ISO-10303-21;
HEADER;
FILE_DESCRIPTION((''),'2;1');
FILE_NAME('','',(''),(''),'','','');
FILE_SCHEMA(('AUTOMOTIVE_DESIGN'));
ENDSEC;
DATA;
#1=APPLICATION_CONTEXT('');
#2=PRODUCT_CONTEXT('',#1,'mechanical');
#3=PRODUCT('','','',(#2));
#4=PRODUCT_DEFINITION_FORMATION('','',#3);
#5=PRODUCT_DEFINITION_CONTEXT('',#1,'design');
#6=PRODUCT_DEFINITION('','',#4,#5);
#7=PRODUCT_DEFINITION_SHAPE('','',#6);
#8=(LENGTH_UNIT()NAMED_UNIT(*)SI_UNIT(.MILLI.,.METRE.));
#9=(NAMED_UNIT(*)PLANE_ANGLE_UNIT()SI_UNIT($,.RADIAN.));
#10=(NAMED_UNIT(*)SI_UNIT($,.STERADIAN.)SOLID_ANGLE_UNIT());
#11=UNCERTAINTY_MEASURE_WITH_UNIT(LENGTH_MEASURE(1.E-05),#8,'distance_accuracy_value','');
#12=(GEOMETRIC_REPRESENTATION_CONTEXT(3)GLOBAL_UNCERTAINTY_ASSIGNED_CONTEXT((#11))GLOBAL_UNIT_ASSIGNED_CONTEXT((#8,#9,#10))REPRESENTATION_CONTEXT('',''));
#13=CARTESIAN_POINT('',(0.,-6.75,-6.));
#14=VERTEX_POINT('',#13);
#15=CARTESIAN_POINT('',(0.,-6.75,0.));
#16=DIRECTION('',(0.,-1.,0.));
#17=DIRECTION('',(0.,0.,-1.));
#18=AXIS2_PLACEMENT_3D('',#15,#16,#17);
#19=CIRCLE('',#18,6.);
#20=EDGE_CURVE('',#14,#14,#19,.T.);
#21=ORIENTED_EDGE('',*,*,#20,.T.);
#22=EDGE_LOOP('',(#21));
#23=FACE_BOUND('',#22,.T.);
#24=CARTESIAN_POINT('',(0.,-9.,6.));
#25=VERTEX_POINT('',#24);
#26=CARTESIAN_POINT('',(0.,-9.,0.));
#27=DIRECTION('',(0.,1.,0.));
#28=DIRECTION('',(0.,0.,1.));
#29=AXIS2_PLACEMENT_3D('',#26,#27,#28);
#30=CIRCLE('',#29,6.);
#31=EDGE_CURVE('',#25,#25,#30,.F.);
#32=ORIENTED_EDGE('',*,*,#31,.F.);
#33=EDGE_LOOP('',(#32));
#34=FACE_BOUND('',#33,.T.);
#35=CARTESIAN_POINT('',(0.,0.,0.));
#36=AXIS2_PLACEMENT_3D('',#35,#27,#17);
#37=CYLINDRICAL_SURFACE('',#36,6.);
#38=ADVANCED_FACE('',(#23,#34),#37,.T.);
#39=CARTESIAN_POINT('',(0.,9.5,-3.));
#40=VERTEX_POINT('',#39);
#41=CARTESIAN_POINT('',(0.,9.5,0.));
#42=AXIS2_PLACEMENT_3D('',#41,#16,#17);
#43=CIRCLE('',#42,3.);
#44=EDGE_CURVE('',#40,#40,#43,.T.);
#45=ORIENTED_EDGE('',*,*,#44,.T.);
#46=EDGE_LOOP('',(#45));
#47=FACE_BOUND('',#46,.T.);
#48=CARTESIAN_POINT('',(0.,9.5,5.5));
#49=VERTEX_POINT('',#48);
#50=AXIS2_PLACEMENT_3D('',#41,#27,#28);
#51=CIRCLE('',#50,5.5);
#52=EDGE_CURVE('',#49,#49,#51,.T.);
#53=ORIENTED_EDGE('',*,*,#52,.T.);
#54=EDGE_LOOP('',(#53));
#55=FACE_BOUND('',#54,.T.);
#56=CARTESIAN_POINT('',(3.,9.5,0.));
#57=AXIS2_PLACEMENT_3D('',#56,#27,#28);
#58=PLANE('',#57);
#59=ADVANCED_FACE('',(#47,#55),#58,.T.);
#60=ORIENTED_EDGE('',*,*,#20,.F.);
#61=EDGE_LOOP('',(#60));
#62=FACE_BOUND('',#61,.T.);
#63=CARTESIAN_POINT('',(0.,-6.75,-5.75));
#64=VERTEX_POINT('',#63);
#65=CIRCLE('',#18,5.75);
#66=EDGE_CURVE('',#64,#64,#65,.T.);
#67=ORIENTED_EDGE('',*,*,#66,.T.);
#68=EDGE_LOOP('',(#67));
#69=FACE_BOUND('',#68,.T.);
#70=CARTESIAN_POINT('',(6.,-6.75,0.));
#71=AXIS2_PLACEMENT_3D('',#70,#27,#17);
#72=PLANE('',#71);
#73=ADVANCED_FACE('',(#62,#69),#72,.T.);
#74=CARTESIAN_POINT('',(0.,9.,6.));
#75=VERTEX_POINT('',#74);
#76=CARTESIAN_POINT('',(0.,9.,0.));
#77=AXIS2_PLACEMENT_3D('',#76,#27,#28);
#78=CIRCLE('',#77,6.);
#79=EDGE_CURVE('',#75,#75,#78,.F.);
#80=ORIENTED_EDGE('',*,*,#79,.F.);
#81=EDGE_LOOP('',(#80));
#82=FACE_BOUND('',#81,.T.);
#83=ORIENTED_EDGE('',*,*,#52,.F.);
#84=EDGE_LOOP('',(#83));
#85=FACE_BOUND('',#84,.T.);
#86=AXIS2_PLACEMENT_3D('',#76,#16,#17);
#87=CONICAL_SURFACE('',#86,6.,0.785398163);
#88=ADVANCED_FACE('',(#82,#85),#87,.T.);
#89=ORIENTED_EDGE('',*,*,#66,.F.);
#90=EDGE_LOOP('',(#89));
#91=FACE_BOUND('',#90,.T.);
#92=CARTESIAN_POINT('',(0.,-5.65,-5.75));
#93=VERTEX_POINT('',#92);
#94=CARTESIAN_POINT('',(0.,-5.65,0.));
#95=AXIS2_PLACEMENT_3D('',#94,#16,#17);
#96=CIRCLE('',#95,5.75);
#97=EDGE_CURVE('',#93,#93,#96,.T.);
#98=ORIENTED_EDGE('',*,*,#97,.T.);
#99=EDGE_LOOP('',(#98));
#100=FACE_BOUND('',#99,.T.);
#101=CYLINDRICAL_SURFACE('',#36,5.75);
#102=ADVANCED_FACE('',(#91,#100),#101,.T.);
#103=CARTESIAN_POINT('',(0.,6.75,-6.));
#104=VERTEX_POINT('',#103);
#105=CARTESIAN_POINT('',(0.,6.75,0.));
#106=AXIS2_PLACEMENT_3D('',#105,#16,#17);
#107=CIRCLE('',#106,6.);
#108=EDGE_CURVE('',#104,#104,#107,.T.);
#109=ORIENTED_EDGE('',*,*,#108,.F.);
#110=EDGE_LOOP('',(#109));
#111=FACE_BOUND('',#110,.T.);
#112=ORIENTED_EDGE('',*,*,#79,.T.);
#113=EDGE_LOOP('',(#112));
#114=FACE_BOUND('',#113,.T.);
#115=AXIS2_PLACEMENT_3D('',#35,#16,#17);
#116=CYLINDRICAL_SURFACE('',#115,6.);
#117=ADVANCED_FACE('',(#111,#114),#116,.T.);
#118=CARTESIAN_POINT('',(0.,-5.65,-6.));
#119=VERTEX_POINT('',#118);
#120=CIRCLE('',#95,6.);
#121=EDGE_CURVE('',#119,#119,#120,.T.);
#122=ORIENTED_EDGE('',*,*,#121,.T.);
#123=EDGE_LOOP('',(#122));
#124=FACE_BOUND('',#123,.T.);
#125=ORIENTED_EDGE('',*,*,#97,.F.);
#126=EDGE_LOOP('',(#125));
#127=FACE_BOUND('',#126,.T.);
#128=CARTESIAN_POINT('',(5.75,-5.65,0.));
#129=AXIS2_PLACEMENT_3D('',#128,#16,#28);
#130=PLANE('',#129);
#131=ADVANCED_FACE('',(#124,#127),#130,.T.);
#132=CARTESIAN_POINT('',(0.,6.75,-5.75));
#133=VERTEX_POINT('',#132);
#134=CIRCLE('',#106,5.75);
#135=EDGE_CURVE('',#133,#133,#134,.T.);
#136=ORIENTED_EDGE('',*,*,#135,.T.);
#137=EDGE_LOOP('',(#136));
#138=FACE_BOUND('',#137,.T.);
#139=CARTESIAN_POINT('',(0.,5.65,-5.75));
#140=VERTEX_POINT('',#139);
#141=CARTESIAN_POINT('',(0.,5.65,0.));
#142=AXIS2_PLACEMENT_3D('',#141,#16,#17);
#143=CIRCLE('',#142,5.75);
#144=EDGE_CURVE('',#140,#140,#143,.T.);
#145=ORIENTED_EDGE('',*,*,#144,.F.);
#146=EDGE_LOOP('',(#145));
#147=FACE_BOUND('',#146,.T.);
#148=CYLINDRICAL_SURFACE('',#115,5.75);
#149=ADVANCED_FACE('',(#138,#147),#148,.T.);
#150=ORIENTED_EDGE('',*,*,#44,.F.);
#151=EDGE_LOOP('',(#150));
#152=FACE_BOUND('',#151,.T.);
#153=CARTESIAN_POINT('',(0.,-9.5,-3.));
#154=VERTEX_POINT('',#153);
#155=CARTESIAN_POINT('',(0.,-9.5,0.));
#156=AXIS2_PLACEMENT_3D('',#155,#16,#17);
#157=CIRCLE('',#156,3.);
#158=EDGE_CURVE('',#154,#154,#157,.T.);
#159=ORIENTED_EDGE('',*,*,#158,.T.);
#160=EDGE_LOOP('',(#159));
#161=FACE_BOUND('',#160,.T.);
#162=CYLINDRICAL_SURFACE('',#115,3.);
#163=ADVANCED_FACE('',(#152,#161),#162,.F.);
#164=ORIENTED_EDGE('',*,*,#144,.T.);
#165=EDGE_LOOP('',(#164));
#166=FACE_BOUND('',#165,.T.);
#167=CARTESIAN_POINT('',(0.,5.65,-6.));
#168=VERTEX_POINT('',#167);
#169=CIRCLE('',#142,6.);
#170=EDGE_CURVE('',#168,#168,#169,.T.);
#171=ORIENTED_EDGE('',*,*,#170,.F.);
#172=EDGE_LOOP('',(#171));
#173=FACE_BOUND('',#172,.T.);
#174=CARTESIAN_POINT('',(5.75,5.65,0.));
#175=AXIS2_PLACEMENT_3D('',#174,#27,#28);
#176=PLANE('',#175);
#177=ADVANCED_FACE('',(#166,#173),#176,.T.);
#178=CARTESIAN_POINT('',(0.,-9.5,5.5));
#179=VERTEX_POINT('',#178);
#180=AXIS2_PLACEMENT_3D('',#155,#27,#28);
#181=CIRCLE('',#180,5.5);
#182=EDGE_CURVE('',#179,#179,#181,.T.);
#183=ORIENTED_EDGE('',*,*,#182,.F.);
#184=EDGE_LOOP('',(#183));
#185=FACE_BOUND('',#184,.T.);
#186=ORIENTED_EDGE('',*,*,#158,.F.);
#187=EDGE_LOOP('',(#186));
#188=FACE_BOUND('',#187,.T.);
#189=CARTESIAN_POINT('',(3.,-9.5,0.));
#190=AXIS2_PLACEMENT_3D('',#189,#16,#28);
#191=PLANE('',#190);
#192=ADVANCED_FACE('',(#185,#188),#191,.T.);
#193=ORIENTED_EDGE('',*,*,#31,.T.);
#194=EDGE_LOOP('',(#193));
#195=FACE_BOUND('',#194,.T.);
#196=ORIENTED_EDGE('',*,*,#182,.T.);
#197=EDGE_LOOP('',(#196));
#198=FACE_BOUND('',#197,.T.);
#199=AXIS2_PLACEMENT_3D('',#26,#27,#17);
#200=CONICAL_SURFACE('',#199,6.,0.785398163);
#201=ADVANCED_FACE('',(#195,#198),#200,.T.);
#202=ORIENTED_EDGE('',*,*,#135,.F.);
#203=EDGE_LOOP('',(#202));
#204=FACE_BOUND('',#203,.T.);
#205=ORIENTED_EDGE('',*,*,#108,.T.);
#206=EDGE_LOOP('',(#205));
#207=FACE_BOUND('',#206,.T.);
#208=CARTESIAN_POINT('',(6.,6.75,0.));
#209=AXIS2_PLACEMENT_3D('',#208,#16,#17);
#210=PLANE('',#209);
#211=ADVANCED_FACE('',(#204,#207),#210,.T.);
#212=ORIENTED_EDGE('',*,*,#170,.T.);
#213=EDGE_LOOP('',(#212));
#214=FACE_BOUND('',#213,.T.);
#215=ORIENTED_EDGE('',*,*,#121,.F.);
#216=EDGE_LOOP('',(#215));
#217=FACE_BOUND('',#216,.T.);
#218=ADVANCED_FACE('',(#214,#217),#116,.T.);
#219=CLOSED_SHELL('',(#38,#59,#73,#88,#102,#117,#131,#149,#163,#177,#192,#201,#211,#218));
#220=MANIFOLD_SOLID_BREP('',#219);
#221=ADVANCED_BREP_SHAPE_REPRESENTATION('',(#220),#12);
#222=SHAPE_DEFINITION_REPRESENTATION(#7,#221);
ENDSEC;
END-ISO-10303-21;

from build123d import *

# Parameters (mm, degrees)
CHAMFER1_SIZE = 0.5


with BuildPart() as part:
    # Sketch1 → Revolve1 (revolve)
    with BuildSketch(Plane.XY):
        Polygon((3, 0), (3, 9.5), (6, 9.5), (6, 6.75), (5.75, 6.75), (5.75, 5.65), (6, 5.65), (6, 0), align=None)
    revolve(axis=Axis((0, 0, 0), (0, 1, 0)))

    # Chamfer1
    chamfer1_edges = [part.edges().sort_by_distance(p)[0] for p in [
        (-6, 9.5, 0),
    ]]
    chamfer(chamfer1_edges, length=CHAMFER1_SIZE)

    # Mirror1: part across plane


with BuildPart() as part_1:
    add(part.part)
    add(part.part.mirror(Plane(origin=(6, 0, 0), x_dir=(0, 0, 1), z_dir=(0, -1, 0))))


solid = part_1.part
